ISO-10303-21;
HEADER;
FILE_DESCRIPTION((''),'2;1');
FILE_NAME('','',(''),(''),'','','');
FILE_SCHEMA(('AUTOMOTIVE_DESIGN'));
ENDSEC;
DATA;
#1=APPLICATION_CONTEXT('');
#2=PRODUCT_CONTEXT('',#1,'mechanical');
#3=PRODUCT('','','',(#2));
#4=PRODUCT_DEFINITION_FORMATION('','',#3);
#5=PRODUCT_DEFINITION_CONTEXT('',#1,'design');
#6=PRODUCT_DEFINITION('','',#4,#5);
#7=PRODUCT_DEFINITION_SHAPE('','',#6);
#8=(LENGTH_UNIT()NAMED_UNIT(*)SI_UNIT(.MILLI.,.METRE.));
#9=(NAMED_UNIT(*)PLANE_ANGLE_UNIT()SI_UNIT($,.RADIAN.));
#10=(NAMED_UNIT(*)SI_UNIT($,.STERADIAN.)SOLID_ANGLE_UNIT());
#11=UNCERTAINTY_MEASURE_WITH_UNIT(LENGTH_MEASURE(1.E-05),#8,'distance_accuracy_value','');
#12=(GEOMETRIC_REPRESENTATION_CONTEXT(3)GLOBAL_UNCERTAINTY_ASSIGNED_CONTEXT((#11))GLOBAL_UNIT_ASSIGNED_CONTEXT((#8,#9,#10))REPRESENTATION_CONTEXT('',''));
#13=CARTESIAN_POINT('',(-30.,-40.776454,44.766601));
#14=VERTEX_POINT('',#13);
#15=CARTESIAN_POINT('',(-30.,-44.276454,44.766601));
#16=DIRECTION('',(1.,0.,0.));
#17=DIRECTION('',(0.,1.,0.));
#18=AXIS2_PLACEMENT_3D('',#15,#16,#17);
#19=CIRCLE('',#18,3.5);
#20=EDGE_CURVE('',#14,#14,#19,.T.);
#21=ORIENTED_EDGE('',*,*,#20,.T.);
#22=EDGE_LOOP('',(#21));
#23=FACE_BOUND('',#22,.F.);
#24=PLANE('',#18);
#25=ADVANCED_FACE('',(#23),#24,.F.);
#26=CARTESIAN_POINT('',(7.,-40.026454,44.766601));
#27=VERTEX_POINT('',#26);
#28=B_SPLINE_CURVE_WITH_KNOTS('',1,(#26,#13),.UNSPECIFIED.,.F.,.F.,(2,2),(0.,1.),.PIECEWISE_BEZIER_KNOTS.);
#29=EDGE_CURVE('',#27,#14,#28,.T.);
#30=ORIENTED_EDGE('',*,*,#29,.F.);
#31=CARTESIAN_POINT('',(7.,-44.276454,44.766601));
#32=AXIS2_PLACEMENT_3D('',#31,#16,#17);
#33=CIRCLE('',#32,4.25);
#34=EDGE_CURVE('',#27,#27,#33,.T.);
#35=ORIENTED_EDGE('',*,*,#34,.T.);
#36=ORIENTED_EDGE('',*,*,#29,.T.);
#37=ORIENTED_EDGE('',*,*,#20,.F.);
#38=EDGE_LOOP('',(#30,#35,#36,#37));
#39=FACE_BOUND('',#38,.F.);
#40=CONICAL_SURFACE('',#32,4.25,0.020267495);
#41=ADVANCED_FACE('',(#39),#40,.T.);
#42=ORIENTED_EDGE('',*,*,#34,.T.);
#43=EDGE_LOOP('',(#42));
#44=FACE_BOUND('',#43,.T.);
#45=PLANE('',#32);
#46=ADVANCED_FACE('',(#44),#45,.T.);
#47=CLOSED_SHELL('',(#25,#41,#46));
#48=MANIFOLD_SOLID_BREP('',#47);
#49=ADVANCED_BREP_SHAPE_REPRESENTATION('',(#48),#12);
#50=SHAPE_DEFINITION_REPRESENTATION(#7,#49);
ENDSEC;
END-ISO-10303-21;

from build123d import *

# Parameters (mm, degrees)
F3_R = 4.25
F2_R = 3.5


with BuildPart() as f4:
    # F3 (on offset) → F4 section 0
    with BuildSketch(Plane.YZ.offset(7)):
        with Locations((-44.276454, 44.766601)):
            Circle(F3_R)
    # F2 (on offset) → F4 section 1
    with BuildSketch(Plane.YZ.offset(-30)):
        with Locations((-44.276454, 44.766601)):
            Circle(F2_R)
    loft()


solid = f4.part
